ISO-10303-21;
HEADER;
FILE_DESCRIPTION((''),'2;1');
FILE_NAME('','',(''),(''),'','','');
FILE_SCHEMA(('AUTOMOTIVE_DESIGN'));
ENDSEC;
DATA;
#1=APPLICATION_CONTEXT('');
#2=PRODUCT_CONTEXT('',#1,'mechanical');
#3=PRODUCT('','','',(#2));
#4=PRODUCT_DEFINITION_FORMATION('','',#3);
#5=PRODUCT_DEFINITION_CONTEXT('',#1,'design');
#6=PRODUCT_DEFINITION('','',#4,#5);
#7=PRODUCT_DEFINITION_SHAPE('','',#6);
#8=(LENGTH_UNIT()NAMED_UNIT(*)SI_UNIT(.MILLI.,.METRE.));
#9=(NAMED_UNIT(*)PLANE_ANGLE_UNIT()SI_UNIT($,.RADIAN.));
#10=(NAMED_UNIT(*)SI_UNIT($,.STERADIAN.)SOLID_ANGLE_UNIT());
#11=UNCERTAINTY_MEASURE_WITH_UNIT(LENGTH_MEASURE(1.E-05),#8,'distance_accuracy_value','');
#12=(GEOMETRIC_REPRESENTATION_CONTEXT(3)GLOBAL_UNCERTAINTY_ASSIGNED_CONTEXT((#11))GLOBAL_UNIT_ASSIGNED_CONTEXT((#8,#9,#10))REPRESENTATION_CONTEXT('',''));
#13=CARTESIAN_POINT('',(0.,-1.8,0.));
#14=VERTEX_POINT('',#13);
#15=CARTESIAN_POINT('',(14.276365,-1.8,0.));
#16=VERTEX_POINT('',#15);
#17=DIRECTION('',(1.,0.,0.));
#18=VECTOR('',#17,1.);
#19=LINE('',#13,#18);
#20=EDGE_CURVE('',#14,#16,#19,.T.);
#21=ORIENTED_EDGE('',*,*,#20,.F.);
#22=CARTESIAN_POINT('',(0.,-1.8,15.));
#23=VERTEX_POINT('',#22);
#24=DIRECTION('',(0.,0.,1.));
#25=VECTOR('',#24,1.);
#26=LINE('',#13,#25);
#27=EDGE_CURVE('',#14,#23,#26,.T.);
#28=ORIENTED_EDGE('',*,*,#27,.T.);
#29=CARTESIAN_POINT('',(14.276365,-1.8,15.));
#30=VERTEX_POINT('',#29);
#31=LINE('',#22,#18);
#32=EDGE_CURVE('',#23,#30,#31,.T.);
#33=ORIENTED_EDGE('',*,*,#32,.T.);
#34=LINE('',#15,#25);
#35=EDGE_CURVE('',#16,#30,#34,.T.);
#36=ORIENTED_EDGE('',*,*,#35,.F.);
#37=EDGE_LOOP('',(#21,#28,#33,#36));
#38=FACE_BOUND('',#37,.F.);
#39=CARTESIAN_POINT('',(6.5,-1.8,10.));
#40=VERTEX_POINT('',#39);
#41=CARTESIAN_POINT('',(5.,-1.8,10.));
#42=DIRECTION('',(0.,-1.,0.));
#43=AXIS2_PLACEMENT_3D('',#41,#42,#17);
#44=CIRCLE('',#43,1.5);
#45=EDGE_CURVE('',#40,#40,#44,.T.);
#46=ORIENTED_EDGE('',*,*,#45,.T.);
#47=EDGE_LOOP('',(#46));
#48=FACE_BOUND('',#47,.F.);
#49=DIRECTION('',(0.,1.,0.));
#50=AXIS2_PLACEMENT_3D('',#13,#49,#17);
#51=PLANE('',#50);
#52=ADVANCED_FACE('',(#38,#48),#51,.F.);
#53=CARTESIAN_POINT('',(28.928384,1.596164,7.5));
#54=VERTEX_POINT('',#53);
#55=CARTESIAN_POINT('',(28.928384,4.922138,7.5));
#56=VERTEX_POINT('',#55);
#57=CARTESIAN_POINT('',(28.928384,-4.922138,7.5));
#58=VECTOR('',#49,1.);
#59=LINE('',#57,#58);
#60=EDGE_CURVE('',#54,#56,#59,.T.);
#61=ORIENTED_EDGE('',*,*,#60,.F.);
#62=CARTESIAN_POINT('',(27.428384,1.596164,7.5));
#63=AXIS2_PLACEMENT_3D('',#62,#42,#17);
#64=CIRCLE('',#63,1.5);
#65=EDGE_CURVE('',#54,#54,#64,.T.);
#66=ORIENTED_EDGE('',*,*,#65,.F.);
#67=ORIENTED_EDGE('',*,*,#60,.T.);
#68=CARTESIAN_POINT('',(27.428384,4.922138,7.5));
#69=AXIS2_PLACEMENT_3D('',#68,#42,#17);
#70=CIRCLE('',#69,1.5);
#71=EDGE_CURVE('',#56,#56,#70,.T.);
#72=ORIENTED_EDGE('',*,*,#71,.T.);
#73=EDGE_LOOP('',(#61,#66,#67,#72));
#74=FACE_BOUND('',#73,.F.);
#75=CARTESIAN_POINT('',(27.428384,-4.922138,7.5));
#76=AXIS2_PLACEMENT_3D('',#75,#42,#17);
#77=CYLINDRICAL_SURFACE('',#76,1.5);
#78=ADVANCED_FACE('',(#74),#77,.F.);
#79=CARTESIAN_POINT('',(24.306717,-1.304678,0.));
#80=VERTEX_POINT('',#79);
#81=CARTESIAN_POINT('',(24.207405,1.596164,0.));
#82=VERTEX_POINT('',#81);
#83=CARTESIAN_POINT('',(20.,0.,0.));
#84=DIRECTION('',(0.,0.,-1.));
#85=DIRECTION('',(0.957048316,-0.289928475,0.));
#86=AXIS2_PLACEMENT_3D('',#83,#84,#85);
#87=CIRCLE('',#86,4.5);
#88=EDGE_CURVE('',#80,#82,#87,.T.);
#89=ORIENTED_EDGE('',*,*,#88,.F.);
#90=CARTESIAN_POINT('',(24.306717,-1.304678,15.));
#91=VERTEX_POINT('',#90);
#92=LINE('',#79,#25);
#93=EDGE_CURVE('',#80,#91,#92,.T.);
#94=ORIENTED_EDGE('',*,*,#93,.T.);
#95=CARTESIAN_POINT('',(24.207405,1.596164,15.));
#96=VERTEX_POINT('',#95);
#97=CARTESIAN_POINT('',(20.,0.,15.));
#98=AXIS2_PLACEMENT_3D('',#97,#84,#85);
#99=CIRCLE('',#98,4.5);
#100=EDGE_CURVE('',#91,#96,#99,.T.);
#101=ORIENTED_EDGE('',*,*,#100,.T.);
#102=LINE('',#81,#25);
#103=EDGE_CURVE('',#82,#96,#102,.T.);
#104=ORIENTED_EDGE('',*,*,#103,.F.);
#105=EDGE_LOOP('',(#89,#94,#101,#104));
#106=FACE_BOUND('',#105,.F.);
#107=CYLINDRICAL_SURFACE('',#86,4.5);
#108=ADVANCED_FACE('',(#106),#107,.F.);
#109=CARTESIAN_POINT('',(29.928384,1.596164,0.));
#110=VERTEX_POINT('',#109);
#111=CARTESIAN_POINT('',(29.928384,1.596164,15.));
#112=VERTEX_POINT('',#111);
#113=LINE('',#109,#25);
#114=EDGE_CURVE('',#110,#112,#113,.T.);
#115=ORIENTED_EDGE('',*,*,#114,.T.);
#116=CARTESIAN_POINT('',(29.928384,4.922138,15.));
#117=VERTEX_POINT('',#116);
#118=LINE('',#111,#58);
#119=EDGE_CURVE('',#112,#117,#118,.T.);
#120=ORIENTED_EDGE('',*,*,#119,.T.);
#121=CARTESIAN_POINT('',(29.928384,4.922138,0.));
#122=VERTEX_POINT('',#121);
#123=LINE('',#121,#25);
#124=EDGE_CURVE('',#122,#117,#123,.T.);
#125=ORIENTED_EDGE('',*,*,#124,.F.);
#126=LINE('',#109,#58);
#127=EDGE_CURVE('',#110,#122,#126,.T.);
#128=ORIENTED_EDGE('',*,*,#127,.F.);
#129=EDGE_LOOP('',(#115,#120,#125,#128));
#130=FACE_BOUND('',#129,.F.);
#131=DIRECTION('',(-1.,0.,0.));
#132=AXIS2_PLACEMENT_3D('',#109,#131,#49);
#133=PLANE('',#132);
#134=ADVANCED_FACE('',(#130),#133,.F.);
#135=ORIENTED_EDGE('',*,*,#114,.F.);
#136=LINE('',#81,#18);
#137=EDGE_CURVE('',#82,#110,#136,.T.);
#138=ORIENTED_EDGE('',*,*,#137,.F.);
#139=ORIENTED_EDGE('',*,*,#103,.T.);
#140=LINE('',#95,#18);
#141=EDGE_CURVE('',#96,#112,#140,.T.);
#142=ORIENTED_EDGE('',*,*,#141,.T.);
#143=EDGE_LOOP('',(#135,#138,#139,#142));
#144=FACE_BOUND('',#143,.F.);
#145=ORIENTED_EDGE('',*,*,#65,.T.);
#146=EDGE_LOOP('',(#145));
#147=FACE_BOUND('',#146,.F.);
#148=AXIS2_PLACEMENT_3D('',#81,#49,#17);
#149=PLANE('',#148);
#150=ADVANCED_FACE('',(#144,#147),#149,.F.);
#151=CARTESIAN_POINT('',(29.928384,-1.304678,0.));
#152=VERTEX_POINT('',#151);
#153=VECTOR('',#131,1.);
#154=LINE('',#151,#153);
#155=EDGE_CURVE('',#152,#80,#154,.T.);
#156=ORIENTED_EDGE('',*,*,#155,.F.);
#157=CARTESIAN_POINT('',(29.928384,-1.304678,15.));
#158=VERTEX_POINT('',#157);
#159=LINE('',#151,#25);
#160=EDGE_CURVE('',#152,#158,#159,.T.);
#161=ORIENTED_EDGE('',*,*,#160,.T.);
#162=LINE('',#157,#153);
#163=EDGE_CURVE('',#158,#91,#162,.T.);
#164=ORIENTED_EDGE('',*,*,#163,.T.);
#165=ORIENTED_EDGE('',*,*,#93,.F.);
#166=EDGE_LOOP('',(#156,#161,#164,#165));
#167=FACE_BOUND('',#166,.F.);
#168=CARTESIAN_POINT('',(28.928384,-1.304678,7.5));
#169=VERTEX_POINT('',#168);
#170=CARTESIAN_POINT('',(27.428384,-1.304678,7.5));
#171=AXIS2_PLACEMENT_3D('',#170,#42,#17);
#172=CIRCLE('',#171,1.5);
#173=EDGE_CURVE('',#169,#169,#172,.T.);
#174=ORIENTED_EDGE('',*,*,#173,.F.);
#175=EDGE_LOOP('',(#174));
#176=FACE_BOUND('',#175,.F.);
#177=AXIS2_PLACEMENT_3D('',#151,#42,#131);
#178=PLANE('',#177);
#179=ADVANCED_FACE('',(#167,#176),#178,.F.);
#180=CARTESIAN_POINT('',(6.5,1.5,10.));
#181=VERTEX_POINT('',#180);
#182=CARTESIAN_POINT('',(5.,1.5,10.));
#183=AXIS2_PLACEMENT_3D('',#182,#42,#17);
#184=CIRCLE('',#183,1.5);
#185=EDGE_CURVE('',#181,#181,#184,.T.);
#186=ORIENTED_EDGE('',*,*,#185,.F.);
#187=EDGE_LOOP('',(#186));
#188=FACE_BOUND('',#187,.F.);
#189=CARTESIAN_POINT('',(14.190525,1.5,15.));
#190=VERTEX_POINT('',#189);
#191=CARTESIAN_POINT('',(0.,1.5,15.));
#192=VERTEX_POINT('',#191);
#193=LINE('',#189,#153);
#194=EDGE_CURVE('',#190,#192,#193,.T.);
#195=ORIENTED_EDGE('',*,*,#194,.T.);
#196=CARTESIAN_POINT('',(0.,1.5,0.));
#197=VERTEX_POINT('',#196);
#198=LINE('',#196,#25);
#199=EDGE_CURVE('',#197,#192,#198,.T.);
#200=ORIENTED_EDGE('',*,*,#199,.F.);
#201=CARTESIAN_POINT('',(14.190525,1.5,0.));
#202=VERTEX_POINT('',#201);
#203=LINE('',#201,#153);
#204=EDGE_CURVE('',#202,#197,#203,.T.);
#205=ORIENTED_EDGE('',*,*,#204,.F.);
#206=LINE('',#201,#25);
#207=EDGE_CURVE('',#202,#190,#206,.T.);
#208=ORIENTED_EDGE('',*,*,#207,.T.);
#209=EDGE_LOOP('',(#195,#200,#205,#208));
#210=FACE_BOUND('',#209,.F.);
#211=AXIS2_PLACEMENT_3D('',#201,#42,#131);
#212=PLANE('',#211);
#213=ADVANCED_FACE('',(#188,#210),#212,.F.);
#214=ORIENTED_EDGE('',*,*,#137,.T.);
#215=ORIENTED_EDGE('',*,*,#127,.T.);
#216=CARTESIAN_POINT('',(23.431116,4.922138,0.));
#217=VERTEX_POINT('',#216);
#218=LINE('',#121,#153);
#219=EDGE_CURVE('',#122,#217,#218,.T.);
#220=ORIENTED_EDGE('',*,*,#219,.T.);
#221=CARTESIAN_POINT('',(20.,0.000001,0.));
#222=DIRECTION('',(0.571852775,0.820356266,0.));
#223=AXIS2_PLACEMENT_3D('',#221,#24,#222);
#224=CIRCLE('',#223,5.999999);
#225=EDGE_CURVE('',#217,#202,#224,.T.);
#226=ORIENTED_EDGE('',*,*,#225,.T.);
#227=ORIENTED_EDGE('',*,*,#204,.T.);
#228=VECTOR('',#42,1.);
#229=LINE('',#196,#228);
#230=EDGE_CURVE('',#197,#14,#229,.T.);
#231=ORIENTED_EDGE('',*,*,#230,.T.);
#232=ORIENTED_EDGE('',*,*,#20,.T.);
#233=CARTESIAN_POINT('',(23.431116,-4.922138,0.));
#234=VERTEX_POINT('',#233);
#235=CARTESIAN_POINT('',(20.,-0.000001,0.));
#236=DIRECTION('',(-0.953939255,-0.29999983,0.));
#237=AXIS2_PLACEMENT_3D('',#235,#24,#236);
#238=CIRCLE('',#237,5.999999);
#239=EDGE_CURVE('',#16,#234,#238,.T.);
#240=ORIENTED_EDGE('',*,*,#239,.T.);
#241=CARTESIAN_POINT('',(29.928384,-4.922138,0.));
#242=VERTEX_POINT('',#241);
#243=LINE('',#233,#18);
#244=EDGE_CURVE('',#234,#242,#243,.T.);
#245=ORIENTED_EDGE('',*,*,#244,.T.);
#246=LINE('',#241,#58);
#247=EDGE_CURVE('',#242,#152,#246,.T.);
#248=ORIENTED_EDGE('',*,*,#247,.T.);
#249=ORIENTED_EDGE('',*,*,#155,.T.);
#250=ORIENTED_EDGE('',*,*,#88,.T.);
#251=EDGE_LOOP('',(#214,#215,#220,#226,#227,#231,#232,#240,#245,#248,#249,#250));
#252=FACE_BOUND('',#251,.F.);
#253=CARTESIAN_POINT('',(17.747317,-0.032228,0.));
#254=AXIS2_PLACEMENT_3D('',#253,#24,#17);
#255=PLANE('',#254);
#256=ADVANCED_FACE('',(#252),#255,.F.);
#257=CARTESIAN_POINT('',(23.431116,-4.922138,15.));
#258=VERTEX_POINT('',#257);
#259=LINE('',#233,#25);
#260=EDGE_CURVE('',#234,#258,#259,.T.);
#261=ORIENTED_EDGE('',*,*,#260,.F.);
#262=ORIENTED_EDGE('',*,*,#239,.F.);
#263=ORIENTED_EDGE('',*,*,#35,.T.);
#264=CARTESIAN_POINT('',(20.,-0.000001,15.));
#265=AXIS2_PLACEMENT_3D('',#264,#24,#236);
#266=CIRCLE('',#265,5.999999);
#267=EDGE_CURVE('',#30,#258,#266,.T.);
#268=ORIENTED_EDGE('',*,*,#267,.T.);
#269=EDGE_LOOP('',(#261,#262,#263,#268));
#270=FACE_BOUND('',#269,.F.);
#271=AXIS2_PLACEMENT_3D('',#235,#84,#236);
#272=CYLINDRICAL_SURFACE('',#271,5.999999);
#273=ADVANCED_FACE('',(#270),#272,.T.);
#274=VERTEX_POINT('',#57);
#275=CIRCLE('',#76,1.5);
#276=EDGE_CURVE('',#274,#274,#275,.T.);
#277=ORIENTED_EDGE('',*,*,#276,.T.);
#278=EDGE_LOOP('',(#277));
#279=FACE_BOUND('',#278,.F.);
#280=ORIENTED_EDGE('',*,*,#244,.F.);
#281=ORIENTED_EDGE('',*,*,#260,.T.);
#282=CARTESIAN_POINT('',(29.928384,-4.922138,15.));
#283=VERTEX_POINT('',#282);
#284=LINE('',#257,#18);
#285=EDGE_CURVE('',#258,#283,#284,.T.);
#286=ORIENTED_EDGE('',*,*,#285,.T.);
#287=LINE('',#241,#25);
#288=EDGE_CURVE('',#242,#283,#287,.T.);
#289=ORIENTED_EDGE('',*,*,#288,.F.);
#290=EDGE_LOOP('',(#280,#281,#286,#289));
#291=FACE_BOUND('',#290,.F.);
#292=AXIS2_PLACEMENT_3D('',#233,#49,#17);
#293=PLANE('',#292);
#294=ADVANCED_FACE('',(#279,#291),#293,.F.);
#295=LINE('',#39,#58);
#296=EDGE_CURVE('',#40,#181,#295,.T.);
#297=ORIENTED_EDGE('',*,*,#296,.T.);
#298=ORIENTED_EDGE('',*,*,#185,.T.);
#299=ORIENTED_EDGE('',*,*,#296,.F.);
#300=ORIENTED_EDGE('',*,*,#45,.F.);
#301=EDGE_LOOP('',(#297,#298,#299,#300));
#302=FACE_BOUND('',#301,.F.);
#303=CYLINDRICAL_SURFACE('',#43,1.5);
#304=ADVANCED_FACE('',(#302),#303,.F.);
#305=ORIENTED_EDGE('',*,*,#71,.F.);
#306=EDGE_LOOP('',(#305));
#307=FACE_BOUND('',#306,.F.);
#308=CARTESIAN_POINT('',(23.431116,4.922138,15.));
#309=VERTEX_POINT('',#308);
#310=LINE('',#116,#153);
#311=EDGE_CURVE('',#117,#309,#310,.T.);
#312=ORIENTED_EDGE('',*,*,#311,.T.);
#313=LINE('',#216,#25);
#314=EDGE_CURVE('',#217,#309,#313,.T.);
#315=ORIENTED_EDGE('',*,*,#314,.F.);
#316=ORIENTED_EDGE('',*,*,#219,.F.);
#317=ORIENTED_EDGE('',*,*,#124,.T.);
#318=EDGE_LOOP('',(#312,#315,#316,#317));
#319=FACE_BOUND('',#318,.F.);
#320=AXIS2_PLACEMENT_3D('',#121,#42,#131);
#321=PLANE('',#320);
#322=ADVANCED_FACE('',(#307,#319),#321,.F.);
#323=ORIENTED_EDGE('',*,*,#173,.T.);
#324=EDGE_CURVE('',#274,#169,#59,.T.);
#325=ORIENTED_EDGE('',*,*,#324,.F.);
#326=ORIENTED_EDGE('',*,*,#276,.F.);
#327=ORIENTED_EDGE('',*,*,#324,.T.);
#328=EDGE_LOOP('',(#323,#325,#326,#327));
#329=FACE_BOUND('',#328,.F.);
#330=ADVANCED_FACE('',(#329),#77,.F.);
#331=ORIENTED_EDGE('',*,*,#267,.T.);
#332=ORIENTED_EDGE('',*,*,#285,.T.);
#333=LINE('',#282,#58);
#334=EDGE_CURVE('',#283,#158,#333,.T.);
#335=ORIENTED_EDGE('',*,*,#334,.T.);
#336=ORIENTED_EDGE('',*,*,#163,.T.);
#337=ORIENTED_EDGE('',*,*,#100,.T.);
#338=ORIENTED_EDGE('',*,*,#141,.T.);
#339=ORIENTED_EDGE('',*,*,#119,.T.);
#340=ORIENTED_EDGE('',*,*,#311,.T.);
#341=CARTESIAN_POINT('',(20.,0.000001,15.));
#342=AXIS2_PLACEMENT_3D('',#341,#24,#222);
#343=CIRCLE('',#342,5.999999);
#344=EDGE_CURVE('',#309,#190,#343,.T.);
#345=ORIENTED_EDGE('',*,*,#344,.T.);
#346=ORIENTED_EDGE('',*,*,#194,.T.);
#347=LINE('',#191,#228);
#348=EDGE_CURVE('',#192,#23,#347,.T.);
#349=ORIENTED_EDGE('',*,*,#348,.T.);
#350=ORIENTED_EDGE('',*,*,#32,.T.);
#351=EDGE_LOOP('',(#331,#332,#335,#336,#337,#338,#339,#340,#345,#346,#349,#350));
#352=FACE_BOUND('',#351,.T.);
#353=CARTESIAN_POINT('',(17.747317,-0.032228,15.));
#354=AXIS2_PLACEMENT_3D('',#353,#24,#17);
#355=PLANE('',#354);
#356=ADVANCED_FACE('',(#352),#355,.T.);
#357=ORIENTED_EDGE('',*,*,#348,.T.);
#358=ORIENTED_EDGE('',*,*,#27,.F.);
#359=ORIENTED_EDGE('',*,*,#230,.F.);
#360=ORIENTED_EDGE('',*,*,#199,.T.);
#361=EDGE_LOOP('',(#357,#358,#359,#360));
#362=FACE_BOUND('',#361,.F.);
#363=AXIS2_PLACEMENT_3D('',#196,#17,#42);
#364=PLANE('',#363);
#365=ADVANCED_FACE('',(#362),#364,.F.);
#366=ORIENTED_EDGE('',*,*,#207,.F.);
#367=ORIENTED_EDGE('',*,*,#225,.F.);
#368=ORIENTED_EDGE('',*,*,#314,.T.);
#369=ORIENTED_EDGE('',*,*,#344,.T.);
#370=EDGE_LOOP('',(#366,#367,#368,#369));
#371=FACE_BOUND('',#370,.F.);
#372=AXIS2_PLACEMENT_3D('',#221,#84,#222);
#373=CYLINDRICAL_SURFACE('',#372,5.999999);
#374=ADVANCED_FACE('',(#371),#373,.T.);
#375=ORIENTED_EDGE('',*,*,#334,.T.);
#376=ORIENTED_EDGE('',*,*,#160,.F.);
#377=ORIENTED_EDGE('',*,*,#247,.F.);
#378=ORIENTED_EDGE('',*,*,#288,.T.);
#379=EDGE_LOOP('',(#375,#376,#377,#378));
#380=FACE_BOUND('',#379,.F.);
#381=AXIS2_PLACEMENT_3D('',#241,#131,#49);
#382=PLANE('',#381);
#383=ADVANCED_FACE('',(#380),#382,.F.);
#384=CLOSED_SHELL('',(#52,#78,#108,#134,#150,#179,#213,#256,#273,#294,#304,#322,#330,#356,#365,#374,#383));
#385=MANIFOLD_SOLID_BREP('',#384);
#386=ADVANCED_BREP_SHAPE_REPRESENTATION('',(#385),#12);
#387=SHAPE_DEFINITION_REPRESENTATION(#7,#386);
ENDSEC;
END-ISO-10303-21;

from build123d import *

# Parameters (mm, degrees)
F1_DEPTH = 15
F2_R     = 1.5
F3_DEPTH = 25
F4_R     = 1.5
F5_DEPTH = 25


with BuildPart() as f1:
    # F0 (on Top) → F1 (new body)
    with BuildSketch(Plane.XY):
        with BuildLine():
            ThreePointArc((24.306717, -1.304678), (15.502635, -0.15397), (24.207405, 1.596164))
            Line((24.207405, 1.596164), (29.928384, 1.596164))
            Line((29.928384, 1.596164), (29.928384, 4.922138))
            Line((29.928384, 4.922138), (23.431116, 4.922138))
            ThreePointArc((23.431116, 4.922138), (17.916276, 5.626553), (14.190525, 1.5))
            Line((14.190525, 1.5), (11.973724, 1.5))
            Line((11.973724, 1.5), (0, 1.5))
            Line((0, 1.5), (0, 0))
            Line((0, 0), (0, -1.5))
            Line((0, -1.5), (0, -1.8))
            Line((0, -1.8), (11.019785, -1.8))
            Line((11.019785, -1.8), (14.276365, -1.8))
            ThreePointArc((14.276365, -1.8), (18.063289, -5.678834), (23.431116, -4.922138))
            Line((23.431116, -4.922138), (29.928384, -4.922138))
            Line((29.928384, -4.922138), (29.928384, -1.304678))
            Line((29.928384, -1.304678), (24.306717, -1.304678))
        make_face()
    extrude(amount=F1_DEPTH)

    # F2 (on face) → F3 (cut)
    with BuildSketch(Plane.XZ.offset(1.8)):
        with Locations((5, 10)):
            Circle(F2_R)
    extrude(amount=-F3_DEPTH, mode=Mode.SUBTRACT)

    # F4 (on face) → F5 (cut)
    with BuildSketch(Plane.XZ.offset(4.922138)):
        with Locations((27.428384, 7.5)):
            Circle(F4_R)
    extrude(amount=-F5_DEPTH, mode=Mode.SUBTRACT)


solid = f1.part
